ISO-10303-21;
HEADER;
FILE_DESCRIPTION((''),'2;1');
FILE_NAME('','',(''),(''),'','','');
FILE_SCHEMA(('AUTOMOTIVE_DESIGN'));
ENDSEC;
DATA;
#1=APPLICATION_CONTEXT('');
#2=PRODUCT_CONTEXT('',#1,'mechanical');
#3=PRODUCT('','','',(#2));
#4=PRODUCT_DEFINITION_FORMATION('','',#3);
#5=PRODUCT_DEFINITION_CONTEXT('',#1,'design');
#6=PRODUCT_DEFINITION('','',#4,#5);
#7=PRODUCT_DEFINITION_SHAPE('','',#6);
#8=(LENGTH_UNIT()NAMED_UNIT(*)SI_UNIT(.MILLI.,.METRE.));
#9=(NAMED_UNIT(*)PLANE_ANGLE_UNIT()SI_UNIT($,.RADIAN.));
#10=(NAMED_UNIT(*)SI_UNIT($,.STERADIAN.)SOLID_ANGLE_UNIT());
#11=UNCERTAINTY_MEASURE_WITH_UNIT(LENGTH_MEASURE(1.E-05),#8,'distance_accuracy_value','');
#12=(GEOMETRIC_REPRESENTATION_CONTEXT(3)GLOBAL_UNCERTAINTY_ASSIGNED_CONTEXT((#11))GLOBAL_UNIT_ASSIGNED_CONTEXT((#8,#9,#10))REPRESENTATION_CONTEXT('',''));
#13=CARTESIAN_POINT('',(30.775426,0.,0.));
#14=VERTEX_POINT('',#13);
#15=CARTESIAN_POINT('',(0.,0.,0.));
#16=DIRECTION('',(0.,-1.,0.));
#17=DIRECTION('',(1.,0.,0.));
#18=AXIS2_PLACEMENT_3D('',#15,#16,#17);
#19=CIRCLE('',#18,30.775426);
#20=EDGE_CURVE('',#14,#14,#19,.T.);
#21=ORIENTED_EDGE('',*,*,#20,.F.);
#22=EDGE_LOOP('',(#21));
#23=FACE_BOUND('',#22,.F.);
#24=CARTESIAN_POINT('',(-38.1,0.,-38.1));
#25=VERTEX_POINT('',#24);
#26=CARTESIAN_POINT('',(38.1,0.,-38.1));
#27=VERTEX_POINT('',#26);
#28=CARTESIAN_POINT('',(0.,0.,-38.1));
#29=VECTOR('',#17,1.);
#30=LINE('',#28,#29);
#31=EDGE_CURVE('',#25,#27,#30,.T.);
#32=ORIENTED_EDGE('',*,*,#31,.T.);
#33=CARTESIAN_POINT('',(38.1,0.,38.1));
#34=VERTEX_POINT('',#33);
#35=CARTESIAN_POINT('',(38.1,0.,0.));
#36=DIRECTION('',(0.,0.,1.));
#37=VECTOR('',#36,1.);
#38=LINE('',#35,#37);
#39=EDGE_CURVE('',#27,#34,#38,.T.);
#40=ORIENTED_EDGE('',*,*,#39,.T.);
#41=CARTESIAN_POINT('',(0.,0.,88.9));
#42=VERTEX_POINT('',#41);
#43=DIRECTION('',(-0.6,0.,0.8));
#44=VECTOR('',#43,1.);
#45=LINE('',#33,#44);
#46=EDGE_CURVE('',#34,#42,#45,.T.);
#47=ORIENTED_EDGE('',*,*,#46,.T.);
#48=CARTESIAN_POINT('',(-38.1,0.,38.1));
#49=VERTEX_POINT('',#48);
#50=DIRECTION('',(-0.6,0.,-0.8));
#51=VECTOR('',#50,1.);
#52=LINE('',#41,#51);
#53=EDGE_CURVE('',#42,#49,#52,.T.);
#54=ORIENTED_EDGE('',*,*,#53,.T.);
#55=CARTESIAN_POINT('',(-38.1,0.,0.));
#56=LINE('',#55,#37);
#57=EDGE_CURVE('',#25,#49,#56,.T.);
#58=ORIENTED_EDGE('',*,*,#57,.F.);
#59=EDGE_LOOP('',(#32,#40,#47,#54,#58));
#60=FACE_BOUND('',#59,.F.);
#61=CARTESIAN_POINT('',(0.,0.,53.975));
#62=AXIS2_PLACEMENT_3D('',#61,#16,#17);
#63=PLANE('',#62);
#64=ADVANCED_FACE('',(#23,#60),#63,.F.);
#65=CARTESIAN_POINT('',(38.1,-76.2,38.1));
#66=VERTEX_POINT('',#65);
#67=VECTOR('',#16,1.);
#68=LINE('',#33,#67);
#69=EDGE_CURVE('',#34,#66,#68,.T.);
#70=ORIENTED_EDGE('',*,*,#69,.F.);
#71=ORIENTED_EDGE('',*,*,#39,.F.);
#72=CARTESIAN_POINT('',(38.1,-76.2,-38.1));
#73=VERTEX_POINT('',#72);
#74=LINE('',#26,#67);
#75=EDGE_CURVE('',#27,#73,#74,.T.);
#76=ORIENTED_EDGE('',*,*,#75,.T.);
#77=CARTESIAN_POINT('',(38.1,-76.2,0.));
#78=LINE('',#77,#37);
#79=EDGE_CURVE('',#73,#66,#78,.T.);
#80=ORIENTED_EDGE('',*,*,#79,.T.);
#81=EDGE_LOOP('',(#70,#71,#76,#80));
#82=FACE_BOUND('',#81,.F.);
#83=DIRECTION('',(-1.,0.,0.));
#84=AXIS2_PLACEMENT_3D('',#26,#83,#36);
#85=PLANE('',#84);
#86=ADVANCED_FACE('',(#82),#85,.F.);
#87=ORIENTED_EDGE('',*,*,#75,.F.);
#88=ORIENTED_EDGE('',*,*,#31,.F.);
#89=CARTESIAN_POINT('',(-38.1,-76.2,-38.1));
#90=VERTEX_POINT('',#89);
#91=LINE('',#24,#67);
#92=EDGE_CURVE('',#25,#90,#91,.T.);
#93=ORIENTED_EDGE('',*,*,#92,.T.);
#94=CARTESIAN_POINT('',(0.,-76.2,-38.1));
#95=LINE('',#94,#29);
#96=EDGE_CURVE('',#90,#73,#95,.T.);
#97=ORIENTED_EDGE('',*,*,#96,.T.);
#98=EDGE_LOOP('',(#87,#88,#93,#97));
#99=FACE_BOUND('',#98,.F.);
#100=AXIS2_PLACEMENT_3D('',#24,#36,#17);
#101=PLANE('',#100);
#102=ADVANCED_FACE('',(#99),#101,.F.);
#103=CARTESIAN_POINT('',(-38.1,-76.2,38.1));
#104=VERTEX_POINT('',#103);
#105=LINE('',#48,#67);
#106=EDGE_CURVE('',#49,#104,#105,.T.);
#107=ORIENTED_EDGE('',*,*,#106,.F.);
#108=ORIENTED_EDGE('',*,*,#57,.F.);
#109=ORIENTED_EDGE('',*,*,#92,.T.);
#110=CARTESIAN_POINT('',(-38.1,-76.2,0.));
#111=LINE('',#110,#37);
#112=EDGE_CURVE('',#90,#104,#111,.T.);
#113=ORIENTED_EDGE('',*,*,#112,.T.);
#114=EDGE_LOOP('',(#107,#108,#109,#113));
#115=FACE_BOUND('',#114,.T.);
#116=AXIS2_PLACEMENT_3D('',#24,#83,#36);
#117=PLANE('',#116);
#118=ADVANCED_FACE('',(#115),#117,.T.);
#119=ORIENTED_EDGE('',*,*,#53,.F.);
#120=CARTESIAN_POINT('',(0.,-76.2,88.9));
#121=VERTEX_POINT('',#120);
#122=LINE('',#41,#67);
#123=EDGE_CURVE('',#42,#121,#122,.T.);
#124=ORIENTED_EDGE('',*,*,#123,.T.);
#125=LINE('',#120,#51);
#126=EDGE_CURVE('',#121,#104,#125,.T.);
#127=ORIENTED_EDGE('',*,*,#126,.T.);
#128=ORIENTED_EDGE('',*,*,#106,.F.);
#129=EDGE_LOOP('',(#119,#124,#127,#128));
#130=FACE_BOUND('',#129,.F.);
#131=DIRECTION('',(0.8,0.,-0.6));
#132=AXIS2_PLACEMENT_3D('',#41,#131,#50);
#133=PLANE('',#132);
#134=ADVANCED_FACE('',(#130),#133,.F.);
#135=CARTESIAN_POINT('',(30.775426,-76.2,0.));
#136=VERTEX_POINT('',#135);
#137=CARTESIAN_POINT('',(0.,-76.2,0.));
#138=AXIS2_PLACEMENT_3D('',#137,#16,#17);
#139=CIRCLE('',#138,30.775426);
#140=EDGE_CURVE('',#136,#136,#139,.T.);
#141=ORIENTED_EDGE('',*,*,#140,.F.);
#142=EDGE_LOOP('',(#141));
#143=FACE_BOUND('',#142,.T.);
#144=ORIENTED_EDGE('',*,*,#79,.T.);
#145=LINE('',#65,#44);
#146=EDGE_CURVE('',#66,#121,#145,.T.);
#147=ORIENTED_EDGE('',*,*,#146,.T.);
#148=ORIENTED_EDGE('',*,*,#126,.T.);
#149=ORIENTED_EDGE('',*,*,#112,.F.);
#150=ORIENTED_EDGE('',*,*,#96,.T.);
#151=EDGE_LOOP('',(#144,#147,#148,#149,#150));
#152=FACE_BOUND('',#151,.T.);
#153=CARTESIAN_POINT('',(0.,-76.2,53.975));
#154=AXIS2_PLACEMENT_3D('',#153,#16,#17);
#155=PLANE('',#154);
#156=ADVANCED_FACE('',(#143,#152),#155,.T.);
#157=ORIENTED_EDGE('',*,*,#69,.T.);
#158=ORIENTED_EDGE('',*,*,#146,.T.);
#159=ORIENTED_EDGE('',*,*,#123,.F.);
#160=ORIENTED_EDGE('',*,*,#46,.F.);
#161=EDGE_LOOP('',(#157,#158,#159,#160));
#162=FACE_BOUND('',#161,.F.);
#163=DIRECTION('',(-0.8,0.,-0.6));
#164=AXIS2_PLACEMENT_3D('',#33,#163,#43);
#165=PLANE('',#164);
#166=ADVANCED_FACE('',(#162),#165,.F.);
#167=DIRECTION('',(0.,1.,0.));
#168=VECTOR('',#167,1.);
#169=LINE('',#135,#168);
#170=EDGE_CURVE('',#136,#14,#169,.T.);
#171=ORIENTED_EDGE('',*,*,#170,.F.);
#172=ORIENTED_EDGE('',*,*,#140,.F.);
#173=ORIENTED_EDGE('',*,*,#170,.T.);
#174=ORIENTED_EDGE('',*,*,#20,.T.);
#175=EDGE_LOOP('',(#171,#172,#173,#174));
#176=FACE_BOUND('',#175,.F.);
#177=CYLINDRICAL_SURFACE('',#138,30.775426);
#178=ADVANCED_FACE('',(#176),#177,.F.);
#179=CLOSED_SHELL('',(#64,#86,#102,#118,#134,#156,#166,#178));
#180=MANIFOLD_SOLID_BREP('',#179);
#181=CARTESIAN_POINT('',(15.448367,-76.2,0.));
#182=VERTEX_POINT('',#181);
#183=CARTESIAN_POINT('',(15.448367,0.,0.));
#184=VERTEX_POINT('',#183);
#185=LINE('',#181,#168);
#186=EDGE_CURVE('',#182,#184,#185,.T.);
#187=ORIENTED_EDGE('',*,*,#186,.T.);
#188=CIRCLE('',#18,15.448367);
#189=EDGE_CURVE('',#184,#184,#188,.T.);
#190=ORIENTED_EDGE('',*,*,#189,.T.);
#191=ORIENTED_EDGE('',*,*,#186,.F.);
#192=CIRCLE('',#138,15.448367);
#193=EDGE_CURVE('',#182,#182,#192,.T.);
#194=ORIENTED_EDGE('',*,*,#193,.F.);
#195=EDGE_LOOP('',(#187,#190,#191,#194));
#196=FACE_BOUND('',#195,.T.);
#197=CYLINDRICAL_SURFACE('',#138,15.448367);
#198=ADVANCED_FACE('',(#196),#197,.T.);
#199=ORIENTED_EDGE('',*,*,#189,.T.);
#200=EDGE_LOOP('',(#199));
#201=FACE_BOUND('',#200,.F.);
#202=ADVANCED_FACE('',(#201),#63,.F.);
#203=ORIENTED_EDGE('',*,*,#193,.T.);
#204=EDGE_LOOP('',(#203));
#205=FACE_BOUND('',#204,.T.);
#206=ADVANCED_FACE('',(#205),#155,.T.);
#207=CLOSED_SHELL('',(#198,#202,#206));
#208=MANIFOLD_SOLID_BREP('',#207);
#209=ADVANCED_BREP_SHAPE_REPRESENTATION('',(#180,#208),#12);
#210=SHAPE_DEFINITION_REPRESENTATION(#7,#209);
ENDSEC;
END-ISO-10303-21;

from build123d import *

# Parameters (mm, degrees)
F0_W     = 76.2
F0_H     = 76.2
F1_DEPTH = 76.2
F2_R     = 30.775426
F2_R_2   = 15.448367
F3_DEPTH = 76.201


with BuildPart() as f1:
    # F0 (on Front) → F1 (new body)
    with BuildSketch(Plane.XZ):
        Polygon((0, 88.9), (-38.1, 38.1), (38.1, 38.1), align=None)
        Rectangle(F0_W, F0_H)
    extrude(amount=F1_DEPTH)

    # F2 (on face) → F3 (cut, through all)
    with BuildSketch(Plane.XZ.offset(76.2)):
        Circle(F2_R)
        Circle(F2_R_2, mode=Mode.SUBTRACT)
    extrude(amount=-F3_DEPTH, mode=Mode.SUBTRACT)


solid = f1.part
